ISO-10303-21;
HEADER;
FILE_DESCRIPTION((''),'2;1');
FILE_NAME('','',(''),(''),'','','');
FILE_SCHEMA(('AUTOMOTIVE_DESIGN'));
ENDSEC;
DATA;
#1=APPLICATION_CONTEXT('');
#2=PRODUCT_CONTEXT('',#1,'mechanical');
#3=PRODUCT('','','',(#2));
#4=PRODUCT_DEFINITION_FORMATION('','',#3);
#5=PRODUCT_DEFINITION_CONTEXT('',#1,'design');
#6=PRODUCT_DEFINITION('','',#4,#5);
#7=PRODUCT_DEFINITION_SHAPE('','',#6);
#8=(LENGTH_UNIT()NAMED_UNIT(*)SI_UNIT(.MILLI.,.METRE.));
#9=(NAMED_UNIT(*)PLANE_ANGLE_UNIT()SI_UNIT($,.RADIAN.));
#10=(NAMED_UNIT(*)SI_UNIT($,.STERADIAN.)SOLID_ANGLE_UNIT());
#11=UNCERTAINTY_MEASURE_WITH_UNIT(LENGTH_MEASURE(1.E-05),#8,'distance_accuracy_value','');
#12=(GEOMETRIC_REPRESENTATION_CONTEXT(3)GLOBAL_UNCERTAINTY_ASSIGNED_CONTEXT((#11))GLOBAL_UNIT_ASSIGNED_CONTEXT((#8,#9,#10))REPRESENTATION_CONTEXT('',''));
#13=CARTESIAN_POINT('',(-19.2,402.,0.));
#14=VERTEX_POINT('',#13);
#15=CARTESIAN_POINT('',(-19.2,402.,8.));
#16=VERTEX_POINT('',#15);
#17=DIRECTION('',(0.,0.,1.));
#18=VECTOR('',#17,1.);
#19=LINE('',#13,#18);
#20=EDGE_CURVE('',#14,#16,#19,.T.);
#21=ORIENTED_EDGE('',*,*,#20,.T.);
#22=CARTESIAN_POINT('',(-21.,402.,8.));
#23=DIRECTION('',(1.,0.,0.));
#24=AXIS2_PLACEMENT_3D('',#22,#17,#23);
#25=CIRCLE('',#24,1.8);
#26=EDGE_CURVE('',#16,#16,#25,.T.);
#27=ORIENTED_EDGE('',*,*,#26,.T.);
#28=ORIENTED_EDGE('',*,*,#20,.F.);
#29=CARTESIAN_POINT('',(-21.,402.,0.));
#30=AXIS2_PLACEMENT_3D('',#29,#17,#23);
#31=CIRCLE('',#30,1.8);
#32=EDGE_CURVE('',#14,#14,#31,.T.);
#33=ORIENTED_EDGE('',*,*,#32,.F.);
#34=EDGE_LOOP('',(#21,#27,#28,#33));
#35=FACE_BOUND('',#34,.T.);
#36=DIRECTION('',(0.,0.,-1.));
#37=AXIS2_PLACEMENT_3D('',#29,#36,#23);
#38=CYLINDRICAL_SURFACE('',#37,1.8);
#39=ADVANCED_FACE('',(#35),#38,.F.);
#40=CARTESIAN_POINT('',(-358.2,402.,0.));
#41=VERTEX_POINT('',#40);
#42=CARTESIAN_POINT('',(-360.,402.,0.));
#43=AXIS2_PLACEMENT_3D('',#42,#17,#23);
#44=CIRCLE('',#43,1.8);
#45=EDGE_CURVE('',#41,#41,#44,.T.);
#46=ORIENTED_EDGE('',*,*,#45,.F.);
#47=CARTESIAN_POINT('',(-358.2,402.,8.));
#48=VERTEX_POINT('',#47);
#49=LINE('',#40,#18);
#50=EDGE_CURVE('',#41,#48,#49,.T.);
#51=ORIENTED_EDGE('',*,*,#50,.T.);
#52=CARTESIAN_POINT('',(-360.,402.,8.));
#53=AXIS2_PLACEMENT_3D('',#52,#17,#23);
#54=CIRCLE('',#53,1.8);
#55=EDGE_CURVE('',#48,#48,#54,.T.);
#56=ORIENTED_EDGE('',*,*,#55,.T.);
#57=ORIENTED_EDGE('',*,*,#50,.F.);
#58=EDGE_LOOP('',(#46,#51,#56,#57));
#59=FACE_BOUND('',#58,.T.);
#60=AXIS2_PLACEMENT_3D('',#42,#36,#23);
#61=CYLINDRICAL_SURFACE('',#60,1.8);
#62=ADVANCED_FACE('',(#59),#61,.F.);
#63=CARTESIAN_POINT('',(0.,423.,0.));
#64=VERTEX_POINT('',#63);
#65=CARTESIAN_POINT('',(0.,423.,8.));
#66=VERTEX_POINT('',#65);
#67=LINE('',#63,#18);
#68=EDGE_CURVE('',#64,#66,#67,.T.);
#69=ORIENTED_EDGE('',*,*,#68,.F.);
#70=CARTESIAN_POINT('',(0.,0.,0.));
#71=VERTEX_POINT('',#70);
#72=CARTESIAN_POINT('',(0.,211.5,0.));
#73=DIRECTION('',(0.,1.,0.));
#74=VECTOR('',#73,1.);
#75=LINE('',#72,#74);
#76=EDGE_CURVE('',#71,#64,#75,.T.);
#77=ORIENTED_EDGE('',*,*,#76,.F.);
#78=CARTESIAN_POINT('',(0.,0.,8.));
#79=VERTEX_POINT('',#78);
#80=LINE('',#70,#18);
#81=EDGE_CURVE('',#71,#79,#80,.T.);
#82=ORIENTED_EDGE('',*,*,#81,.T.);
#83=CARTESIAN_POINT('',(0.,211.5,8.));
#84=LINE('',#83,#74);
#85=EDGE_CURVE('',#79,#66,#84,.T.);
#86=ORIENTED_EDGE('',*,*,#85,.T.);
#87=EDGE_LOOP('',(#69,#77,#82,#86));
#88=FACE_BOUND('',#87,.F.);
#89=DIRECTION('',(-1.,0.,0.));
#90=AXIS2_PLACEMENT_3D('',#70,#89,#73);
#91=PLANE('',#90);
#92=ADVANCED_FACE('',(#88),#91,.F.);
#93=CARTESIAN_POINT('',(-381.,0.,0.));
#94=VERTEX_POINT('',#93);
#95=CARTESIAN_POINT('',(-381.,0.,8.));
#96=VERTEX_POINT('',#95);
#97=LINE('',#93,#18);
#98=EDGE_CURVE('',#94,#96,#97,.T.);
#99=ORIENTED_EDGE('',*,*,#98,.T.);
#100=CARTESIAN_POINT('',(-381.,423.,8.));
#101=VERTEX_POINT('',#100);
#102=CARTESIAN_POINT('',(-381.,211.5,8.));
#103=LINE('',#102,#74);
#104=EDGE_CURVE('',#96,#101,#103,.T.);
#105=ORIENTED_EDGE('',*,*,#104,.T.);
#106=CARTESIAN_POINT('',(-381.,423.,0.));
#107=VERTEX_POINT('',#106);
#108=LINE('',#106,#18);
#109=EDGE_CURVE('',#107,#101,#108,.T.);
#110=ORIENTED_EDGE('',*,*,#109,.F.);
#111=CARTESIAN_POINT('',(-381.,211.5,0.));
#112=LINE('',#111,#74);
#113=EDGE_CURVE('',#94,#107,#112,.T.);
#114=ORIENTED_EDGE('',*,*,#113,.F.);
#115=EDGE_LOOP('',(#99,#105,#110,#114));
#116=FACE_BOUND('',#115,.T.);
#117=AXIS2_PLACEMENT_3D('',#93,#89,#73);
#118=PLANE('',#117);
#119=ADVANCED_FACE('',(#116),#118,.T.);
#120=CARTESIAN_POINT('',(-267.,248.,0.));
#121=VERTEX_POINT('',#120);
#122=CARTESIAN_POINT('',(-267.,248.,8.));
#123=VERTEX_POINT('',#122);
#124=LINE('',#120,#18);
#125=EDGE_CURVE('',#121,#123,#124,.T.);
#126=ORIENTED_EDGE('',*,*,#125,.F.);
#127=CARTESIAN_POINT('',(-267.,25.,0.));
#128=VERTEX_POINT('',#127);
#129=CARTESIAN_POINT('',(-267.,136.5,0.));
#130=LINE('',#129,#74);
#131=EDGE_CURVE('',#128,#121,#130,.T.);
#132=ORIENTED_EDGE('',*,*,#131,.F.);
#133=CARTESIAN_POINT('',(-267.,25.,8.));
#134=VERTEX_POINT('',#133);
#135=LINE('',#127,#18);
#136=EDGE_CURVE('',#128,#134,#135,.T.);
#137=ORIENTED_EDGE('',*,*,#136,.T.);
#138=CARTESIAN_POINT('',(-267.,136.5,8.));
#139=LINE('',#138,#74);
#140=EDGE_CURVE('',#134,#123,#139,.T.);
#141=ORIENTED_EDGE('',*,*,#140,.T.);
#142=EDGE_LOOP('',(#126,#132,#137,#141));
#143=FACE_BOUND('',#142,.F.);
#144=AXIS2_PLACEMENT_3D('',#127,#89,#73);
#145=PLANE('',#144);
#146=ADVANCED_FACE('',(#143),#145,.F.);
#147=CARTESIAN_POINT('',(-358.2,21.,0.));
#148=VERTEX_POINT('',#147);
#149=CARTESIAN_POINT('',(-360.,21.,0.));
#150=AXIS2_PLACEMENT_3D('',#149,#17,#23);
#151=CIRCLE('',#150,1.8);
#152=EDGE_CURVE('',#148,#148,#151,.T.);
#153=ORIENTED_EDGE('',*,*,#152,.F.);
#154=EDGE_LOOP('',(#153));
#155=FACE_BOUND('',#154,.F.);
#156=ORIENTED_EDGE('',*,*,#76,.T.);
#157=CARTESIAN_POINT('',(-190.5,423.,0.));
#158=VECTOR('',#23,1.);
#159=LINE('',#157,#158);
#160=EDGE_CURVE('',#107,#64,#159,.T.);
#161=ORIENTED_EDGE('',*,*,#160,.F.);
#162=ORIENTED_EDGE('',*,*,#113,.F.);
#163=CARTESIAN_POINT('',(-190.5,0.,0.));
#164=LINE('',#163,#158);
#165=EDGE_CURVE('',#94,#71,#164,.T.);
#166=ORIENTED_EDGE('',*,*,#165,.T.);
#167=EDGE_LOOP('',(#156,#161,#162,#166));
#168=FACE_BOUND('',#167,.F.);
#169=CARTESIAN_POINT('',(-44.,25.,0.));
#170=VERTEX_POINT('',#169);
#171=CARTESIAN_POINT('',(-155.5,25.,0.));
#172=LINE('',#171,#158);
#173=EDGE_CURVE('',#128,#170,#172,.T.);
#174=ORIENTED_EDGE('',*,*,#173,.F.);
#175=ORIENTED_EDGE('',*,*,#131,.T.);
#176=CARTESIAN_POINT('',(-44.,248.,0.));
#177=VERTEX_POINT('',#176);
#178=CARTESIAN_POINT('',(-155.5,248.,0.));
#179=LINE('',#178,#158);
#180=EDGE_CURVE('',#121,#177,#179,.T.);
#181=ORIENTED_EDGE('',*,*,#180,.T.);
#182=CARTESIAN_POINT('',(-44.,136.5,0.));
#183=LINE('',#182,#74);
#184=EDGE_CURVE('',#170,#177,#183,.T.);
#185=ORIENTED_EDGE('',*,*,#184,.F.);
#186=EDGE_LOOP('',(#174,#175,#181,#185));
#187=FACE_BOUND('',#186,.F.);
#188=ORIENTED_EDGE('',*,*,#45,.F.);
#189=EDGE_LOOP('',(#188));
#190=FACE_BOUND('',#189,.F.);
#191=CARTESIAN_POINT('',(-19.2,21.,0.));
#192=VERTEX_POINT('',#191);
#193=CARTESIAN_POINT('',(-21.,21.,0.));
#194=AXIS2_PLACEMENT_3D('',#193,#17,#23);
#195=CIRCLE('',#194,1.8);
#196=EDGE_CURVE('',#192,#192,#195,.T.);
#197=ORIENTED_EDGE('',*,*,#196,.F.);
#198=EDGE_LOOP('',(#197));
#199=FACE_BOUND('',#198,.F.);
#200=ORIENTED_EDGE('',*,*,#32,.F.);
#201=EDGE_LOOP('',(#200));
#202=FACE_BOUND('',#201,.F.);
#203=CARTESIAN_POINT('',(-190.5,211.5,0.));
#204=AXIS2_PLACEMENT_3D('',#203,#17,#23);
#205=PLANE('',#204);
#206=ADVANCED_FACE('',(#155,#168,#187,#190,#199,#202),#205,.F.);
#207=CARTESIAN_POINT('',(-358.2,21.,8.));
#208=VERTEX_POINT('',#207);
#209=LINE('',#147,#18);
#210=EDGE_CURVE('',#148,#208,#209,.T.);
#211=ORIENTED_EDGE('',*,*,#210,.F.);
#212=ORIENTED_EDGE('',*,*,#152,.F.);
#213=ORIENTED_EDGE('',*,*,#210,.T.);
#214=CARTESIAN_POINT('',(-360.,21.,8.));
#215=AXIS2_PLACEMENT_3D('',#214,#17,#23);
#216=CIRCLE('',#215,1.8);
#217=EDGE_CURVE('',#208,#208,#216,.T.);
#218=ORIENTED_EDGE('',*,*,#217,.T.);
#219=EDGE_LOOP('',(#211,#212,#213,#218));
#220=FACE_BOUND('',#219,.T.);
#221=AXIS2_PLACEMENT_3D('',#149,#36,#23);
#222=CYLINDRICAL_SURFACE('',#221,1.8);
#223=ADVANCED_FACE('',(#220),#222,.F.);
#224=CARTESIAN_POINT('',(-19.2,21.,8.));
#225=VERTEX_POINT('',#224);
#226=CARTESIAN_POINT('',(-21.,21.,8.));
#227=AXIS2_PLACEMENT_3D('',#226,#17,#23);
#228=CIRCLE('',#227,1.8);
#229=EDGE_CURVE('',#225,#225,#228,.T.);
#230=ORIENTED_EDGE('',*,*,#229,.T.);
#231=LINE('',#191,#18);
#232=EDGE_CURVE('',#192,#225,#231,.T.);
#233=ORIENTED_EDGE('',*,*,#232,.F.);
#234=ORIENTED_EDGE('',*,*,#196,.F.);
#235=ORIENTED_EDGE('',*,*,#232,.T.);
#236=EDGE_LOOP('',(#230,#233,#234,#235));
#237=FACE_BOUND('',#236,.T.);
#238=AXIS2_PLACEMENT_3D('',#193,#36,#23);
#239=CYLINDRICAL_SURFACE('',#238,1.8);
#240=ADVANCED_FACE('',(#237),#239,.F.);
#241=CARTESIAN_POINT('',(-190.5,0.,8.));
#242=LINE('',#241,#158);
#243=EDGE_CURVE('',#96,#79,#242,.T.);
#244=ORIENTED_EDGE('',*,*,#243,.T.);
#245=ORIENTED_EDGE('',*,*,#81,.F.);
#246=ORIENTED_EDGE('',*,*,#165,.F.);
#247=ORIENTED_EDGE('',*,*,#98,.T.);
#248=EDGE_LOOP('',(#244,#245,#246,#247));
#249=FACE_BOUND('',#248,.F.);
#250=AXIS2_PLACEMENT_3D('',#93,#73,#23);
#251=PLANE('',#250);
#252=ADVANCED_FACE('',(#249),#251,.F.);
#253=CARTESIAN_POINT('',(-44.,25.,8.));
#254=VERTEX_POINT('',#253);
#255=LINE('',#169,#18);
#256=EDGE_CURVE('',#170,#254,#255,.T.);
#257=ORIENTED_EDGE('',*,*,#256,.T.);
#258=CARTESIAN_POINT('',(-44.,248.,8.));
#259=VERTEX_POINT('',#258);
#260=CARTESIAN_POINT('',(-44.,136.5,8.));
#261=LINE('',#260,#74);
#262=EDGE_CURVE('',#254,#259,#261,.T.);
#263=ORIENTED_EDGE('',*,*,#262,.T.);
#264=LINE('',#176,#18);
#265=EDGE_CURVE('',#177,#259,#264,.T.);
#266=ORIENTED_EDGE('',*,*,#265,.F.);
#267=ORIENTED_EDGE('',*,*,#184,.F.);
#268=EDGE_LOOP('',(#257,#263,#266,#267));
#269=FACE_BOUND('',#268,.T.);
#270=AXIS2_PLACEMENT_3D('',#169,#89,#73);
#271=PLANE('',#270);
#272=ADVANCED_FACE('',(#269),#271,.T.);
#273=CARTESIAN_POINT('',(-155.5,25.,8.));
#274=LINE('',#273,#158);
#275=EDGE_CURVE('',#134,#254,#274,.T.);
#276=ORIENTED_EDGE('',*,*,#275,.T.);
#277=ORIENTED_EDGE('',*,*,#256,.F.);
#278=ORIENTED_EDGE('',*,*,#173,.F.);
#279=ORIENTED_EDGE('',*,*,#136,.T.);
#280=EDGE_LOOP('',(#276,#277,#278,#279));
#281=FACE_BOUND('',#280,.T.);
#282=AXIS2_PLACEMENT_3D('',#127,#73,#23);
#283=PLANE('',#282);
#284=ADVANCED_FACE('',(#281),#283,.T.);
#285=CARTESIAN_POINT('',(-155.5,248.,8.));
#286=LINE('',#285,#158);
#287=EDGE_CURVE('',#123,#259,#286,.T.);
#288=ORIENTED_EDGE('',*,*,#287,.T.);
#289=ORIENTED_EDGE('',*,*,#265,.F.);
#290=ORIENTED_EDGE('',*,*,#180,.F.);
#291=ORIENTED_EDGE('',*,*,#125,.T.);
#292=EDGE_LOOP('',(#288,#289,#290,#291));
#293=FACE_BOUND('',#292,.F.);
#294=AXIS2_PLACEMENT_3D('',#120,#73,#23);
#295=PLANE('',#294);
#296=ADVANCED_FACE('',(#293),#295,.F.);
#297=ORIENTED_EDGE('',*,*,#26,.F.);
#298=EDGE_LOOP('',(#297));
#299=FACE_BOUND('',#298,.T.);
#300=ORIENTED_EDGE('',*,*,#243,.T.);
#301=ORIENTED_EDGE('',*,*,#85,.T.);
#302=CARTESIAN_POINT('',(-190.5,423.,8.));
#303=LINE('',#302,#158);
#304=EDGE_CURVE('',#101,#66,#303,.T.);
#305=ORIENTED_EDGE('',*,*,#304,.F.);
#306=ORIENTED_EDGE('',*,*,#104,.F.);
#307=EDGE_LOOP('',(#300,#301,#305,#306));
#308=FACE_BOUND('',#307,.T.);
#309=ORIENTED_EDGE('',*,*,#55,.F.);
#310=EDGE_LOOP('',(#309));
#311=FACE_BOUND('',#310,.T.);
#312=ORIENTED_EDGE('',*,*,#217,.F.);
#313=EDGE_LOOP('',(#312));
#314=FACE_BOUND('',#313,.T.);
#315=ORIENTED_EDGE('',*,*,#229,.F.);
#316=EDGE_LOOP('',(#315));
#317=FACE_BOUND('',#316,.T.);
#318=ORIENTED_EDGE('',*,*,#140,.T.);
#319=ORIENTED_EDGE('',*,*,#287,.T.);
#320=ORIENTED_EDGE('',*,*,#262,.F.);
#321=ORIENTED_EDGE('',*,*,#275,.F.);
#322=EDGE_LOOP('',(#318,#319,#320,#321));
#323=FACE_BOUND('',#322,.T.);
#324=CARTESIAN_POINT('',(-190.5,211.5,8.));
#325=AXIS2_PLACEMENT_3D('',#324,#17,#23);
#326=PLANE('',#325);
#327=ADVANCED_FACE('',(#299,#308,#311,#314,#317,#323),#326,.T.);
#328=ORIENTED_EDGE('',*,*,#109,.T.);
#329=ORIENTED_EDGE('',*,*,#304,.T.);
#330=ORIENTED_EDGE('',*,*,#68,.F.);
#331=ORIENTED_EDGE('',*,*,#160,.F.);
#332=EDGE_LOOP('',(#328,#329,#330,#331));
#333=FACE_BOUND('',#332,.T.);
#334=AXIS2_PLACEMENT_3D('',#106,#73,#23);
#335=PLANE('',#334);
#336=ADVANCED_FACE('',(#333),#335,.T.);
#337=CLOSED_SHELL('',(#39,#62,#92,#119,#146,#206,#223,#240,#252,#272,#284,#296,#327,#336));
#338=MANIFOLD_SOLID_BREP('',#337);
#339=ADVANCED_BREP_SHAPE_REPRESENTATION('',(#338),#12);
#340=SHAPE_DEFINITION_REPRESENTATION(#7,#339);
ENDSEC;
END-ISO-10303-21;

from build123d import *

# Parameters (mm, degrees)
SKETCH_W   = 381
SKETCH_H   = 423
SKETCH_R   = 1.8
SKETCH_W_2 = 223
SKETCH_H_2 = 223
PAD_DEPTH  = 8


with BuildPart() as part:
    # Sketch → Pad (new body)
    with BuildSketch(Plane.XY):
        with Locations((-190.5, 211.5)):
            Rectangle(SKETCH_W, SKETCH_H)
        with Locations((-360, 402)):
            Circle(SKETCH_R, mode=Mode.SUBTRACT)
        with Locations((-21, 402)):
            Circle(SKETCH_R, mode=Mode.SUBTRACT)
        with Locations((-360, 21)):
            Circle(SKETCH_R, mode=Mode.SUBTRACT)
        with Locations((-21, 21)):
            Circle(SKETCH_R, mode=Mode.SUBTRACT)
        with Locations((-155.5, 136.5)):
            Rectangle(SKETCH_W_2, SKETCH_H_2, mode=Mode.SUBTRACT)
    extrude(amount=PAD_DEPTH)


solid = part.part
